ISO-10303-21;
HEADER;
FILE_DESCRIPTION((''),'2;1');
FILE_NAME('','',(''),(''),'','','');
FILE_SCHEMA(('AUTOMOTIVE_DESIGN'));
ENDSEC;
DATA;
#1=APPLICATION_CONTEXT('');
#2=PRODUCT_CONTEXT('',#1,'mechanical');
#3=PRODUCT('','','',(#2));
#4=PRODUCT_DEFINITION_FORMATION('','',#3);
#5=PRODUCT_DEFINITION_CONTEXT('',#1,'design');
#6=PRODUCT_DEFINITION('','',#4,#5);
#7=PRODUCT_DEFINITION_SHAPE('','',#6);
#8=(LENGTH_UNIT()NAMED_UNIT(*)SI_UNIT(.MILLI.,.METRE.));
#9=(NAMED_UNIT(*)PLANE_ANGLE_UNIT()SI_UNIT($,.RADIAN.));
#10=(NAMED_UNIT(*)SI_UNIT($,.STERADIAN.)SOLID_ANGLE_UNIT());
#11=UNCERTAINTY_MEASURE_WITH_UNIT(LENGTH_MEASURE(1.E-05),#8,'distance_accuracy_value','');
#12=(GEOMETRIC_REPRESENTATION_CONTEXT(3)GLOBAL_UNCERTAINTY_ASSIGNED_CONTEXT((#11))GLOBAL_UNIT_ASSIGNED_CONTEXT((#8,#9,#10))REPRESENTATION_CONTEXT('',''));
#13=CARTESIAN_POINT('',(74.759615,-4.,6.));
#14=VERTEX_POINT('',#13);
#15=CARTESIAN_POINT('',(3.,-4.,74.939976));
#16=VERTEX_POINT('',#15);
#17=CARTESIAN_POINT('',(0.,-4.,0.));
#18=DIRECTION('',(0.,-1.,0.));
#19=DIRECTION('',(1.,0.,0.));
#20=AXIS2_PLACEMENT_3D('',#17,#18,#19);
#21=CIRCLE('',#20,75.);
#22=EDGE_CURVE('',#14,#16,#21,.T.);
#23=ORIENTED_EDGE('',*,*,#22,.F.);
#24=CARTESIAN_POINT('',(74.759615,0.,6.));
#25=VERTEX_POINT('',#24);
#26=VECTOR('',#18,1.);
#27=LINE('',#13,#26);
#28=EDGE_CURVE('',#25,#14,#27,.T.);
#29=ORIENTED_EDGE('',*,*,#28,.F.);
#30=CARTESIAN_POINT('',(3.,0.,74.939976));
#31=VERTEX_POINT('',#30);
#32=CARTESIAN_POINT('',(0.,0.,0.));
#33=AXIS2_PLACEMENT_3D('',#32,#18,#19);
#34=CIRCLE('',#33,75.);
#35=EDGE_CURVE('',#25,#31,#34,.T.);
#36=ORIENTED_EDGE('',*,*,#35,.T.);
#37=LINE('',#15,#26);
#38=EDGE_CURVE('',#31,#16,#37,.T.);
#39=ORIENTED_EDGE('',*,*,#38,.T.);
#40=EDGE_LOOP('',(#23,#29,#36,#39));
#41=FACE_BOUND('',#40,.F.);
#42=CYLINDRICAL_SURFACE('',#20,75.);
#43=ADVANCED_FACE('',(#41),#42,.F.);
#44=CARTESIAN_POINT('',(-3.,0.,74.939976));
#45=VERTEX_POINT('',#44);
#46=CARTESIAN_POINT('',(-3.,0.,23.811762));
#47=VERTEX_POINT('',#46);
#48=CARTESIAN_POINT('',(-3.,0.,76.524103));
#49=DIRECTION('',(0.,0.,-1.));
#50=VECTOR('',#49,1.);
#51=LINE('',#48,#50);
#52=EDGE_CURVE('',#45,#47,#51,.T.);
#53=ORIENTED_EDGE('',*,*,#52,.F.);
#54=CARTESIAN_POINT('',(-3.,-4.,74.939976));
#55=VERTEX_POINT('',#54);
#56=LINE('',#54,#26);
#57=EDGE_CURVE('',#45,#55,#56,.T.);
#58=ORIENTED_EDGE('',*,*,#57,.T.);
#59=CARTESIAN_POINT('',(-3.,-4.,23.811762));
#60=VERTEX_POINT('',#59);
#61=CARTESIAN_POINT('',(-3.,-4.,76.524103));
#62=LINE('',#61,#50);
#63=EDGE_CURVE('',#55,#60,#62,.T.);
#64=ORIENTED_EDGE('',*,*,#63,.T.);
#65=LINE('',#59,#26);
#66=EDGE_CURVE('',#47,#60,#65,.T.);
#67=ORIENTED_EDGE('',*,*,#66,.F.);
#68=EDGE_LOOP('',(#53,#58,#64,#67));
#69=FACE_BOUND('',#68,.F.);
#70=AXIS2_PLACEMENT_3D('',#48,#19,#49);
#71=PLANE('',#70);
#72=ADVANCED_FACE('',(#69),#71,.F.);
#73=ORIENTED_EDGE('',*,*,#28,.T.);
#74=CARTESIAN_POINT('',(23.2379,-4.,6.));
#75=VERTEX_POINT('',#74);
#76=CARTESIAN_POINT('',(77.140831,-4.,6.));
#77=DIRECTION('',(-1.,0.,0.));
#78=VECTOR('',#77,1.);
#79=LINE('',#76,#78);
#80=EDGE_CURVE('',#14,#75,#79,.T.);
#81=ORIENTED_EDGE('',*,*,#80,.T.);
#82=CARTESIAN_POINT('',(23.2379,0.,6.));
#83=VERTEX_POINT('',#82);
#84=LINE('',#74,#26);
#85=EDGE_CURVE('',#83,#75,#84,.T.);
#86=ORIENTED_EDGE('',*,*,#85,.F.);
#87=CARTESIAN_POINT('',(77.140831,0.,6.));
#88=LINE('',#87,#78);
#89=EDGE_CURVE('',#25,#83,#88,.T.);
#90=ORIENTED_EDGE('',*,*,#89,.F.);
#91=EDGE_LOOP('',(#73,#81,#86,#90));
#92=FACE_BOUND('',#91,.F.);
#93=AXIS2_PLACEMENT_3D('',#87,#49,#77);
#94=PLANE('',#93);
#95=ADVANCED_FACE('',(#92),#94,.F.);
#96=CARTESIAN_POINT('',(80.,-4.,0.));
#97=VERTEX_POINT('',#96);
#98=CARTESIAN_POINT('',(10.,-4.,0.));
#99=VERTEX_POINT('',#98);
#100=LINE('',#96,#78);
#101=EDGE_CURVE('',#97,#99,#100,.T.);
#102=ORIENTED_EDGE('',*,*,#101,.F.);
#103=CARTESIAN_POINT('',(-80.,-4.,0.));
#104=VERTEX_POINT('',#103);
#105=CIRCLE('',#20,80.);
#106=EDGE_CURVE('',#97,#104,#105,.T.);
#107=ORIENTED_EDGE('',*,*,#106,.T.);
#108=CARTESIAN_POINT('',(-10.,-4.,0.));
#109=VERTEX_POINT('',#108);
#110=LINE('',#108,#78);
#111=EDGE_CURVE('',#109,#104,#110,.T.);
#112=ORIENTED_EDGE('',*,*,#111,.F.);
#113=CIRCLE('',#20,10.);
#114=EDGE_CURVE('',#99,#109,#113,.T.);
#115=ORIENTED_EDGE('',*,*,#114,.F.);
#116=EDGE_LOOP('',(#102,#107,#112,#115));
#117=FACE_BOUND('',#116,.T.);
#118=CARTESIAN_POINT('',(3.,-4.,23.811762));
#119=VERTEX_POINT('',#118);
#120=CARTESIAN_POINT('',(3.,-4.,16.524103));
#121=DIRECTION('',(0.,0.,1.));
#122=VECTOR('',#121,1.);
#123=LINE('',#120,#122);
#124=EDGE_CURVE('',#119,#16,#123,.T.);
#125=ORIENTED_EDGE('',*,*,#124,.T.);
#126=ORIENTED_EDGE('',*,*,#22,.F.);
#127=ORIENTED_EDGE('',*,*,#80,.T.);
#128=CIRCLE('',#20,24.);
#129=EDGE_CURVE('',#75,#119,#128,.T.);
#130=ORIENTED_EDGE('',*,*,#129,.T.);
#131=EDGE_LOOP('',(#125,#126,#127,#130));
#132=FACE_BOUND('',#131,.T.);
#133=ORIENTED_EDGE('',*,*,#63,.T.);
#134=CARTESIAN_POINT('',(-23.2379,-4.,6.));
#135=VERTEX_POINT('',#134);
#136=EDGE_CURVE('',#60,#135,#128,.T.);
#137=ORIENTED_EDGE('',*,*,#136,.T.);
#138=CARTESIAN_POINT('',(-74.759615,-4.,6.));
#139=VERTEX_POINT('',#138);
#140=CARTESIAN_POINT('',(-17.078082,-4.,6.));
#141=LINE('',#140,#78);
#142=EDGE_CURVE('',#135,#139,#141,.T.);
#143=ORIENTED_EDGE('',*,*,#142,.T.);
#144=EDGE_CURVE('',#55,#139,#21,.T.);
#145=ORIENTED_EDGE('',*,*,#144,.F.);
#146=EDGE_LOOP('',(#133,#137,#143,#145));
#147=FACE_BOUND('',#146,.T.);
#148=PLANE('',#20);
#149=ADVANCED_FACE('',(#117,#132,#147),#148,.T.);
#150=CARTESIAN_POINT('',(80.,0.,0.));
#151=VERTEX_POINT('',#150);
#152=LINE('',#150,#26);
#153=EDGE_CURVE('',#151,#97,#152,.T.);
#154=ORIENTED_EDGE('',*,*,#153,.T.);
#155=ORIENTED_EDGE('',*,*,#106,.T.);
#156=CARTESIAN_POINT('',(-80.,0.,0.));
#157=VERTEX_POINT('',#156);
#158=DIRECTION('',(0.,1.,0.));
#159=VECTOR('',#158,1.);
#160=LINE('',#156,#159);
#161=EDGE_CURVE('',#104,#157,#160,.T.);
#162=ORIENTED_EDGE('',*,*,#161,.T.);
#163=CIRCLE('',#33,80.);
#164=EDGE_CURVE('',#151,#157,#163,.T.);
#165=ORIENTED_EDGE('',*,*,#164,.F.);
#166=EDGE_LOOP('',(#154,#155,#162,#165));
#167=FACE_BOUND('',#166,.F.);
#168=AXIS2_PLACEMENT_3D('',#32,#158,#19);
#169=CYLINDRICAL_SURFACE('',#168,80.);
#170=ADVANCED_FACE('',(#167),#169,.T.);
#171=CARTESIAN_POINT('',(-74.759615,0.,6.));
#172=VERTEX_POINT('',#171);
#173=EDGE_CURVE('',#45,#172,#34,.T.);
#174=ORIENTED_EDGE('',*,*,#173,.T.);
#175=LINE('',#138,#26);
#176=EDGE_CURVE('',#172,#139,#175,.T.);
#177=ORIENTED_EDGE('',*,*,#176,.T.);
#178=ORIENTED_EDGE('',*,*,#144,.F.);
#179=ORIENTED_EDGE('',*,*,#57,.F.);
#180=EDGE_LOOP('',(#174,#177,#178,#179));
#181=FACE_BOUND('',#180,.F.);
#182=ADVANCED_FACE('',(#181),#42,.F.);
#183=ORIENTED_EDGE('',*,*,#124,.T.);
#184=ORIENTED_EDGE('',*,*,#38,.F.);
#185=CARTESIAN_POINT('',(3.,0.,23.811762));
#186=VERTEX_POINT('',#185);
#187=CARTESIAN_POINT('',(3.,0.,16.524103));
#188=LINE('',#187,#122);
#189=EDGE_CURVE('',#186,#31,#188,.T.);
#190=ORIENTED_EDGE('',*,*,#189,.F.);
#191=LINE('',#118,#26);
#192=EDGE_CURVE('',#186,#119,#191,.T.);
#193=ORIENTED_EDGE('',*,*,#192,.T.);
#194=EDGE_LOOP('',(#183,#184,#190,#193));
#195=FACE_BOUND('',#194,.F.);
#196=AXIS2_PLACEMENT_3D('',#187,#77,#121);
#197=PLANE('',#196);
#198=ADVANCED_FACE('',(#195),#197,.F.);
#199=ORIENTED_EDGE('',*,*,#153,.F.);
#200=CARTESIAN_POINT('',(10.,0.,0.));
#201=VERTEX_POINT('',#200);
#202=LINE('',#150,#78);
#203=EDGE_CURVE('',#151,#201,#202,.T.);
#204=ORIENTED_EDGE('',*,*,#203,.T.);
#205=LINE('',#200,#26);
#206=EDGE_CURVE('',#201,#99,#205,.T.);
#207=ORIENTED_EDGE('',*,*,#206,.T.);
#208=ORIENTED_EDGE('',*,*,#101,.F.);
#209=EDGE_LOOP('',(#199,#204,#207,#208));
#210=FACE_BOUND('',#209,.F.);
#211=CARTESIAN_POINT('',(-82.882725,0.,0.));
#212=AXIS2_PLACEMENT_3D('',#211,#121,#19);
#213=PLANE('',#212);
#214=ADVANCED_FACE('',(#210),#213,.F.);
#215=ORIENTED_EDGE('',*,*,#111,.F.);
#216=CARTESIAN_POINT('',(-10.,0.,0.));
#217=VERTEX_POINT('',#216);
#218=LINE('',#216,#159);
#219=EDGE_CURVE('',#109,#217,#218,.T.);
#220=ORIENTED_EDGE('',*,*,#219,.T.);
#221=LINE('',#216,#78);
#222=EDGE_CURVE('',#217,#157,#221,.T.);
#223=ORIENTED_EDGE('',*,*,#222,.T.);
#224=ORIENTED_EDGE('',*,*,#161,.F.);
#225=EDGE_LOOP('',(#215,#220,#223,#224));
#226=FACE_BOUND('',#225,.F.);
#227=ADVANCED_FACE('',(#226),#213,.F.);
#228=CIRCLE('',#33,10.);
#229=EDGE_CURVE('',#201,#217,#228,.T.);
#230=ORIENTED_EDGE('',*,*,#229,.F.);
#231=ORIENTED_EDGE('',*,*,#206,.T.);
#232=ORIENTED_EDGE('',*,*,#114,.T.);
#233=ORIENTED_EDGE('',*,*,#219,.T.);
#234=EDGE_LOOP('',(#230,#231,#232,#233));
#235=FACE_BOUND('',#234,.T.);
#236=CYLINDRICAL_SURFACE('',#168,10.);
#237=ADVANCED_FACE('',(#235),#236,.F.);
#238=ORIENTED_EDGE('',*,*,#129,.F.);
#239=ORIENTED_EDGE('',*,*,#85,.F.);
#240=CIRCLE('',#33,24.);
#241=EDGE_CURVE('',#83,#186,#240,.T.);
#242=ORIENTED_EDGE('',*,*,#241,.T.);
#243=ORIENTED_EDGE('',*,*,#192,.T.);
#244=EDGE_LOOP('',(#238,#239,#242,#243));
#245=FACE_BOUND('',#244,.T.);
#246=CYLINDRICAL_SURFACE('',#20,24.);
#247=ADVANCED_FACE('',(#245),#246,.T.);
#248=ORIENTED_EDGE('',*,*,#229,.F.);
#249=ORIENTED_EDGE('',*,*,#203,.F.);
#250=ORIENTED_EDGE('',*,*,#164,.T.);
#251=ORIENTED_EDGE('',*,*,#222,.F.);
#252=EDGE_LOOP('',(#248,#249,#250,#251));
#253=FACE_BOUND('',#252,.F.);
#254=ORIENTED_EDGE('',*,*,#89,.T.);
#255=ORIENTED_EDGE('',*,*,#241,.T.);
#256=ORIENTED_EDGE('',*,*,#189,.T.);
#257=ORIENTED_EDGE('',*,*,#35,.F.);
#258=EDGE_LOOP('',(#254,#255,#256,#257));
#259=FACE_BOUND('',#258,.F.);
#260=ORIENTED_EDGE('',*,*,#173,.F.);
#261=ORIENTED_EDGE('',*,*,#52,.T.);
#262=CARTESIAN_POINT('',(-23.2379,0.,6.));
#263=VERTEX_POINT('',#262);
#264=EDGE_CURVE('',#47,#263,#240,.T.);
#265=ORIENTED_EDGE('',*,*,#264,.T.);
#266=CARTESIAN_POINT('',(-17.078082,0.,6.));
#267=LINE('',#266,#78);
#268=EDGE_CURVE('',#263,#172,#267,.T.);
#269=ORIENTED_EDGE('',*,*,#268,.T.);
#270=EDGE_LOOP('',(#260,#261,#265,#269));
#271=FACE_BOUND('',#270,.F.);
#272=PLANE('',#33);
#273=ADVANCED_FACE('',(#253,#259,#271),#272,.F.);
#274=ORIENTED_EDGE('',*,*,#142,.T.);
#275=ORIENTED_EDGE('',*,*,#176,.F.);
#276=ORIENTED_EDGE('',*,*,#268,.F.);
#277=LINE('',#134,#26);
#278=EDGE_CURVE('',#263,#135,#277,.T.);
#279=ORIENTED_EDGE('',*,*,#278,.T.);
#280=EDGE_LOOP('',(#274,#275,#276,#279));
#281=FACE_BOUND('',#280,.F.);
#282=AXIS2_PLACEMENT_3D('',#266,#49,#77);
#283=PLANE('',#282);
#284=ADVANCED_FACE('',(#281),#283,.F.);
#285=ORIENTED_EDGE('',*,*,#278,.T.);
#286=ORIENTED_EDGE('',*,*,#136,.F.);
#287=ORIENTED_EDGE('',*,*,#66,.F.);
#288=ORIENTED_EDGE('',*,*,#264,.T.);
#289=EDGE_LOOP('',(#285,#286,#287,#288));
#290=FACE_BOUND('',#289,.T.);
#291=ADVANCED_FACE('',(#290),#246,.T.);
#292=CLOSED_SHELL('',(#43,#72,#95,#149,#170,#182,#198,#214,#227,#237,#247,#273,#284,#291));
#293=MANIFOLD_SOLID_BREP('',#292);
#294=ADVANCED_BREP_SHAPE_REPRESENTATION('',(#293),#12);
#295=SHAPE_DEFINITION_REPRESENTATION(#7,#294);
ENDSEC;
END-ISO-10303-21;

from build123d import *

# Parameters (mm, degrees)
F0_R     = 80
F0_R_2   = 10
F1_DEPTH = 4
F2_R     = 75
F2_R_2   = 24
F3_DEPTH = 25
F4_W     = 3
F4_H     = 45
F5_DEPTH = 4
F6_W     = 170.305036
F6_H     = 83.79095
F7_DEPTH = 25


with BuildPart() as f1:
    # F0 (on Front) → F1 (new body)
    with BuildSketch(Plane.XZ):
        Circle(F0_R)
        Circle(F0_R_2, mode=Mode.SUBTRACT)
    extrude(amount=F1_DEPTH)

    # F2 (on face) → F3 (cut)
    with BuildSketch(Plane.XZ.offset(4)):
        Circle(F2_R)
        Circle(F2_R_2, mode=Mode.SUBTRACT)
    extrude(amount=-F3_DEPTH, mode=Mode.SUBTRACT)

    # F4 (on Front) → F5 (join)
    with BuildSketch(Plane.XZ):
        Polygon((17.140831, 6), (17.140831, 0), (76.595739, 0), (77.140831, 0), (77.140831, 6), align=None)
        with Locations((1.5, -43.351822)):
            Rectangle(F4_W, F4_H)
        with Locations((-1.5, -43.351822)):
            Rectangle(F4_W, F4_H)
        Polygon((-76.336667, 0), (-17.078082, 0), (-17.078082, 6), (-77.078082, 6), (-77.078082, 0), align=None)
        Polygon((3, 76.524103), (-3, 76.524103), (-3, 16.524103), (0, 16.524103), (3, 16.524103), align=None)
    extrude(amount=F5_DEPTH)

    # F6 (on Front) → F7 (cut)
    with BuildSketch(Plane.XZ):
        with Locations((2.269793, -41.895475)):
            Rectangle(F6_W, F6_H)
    extrude(amount=F7_DEPTH, mode=Mode.SUBTRACT)


solid = f1.part
